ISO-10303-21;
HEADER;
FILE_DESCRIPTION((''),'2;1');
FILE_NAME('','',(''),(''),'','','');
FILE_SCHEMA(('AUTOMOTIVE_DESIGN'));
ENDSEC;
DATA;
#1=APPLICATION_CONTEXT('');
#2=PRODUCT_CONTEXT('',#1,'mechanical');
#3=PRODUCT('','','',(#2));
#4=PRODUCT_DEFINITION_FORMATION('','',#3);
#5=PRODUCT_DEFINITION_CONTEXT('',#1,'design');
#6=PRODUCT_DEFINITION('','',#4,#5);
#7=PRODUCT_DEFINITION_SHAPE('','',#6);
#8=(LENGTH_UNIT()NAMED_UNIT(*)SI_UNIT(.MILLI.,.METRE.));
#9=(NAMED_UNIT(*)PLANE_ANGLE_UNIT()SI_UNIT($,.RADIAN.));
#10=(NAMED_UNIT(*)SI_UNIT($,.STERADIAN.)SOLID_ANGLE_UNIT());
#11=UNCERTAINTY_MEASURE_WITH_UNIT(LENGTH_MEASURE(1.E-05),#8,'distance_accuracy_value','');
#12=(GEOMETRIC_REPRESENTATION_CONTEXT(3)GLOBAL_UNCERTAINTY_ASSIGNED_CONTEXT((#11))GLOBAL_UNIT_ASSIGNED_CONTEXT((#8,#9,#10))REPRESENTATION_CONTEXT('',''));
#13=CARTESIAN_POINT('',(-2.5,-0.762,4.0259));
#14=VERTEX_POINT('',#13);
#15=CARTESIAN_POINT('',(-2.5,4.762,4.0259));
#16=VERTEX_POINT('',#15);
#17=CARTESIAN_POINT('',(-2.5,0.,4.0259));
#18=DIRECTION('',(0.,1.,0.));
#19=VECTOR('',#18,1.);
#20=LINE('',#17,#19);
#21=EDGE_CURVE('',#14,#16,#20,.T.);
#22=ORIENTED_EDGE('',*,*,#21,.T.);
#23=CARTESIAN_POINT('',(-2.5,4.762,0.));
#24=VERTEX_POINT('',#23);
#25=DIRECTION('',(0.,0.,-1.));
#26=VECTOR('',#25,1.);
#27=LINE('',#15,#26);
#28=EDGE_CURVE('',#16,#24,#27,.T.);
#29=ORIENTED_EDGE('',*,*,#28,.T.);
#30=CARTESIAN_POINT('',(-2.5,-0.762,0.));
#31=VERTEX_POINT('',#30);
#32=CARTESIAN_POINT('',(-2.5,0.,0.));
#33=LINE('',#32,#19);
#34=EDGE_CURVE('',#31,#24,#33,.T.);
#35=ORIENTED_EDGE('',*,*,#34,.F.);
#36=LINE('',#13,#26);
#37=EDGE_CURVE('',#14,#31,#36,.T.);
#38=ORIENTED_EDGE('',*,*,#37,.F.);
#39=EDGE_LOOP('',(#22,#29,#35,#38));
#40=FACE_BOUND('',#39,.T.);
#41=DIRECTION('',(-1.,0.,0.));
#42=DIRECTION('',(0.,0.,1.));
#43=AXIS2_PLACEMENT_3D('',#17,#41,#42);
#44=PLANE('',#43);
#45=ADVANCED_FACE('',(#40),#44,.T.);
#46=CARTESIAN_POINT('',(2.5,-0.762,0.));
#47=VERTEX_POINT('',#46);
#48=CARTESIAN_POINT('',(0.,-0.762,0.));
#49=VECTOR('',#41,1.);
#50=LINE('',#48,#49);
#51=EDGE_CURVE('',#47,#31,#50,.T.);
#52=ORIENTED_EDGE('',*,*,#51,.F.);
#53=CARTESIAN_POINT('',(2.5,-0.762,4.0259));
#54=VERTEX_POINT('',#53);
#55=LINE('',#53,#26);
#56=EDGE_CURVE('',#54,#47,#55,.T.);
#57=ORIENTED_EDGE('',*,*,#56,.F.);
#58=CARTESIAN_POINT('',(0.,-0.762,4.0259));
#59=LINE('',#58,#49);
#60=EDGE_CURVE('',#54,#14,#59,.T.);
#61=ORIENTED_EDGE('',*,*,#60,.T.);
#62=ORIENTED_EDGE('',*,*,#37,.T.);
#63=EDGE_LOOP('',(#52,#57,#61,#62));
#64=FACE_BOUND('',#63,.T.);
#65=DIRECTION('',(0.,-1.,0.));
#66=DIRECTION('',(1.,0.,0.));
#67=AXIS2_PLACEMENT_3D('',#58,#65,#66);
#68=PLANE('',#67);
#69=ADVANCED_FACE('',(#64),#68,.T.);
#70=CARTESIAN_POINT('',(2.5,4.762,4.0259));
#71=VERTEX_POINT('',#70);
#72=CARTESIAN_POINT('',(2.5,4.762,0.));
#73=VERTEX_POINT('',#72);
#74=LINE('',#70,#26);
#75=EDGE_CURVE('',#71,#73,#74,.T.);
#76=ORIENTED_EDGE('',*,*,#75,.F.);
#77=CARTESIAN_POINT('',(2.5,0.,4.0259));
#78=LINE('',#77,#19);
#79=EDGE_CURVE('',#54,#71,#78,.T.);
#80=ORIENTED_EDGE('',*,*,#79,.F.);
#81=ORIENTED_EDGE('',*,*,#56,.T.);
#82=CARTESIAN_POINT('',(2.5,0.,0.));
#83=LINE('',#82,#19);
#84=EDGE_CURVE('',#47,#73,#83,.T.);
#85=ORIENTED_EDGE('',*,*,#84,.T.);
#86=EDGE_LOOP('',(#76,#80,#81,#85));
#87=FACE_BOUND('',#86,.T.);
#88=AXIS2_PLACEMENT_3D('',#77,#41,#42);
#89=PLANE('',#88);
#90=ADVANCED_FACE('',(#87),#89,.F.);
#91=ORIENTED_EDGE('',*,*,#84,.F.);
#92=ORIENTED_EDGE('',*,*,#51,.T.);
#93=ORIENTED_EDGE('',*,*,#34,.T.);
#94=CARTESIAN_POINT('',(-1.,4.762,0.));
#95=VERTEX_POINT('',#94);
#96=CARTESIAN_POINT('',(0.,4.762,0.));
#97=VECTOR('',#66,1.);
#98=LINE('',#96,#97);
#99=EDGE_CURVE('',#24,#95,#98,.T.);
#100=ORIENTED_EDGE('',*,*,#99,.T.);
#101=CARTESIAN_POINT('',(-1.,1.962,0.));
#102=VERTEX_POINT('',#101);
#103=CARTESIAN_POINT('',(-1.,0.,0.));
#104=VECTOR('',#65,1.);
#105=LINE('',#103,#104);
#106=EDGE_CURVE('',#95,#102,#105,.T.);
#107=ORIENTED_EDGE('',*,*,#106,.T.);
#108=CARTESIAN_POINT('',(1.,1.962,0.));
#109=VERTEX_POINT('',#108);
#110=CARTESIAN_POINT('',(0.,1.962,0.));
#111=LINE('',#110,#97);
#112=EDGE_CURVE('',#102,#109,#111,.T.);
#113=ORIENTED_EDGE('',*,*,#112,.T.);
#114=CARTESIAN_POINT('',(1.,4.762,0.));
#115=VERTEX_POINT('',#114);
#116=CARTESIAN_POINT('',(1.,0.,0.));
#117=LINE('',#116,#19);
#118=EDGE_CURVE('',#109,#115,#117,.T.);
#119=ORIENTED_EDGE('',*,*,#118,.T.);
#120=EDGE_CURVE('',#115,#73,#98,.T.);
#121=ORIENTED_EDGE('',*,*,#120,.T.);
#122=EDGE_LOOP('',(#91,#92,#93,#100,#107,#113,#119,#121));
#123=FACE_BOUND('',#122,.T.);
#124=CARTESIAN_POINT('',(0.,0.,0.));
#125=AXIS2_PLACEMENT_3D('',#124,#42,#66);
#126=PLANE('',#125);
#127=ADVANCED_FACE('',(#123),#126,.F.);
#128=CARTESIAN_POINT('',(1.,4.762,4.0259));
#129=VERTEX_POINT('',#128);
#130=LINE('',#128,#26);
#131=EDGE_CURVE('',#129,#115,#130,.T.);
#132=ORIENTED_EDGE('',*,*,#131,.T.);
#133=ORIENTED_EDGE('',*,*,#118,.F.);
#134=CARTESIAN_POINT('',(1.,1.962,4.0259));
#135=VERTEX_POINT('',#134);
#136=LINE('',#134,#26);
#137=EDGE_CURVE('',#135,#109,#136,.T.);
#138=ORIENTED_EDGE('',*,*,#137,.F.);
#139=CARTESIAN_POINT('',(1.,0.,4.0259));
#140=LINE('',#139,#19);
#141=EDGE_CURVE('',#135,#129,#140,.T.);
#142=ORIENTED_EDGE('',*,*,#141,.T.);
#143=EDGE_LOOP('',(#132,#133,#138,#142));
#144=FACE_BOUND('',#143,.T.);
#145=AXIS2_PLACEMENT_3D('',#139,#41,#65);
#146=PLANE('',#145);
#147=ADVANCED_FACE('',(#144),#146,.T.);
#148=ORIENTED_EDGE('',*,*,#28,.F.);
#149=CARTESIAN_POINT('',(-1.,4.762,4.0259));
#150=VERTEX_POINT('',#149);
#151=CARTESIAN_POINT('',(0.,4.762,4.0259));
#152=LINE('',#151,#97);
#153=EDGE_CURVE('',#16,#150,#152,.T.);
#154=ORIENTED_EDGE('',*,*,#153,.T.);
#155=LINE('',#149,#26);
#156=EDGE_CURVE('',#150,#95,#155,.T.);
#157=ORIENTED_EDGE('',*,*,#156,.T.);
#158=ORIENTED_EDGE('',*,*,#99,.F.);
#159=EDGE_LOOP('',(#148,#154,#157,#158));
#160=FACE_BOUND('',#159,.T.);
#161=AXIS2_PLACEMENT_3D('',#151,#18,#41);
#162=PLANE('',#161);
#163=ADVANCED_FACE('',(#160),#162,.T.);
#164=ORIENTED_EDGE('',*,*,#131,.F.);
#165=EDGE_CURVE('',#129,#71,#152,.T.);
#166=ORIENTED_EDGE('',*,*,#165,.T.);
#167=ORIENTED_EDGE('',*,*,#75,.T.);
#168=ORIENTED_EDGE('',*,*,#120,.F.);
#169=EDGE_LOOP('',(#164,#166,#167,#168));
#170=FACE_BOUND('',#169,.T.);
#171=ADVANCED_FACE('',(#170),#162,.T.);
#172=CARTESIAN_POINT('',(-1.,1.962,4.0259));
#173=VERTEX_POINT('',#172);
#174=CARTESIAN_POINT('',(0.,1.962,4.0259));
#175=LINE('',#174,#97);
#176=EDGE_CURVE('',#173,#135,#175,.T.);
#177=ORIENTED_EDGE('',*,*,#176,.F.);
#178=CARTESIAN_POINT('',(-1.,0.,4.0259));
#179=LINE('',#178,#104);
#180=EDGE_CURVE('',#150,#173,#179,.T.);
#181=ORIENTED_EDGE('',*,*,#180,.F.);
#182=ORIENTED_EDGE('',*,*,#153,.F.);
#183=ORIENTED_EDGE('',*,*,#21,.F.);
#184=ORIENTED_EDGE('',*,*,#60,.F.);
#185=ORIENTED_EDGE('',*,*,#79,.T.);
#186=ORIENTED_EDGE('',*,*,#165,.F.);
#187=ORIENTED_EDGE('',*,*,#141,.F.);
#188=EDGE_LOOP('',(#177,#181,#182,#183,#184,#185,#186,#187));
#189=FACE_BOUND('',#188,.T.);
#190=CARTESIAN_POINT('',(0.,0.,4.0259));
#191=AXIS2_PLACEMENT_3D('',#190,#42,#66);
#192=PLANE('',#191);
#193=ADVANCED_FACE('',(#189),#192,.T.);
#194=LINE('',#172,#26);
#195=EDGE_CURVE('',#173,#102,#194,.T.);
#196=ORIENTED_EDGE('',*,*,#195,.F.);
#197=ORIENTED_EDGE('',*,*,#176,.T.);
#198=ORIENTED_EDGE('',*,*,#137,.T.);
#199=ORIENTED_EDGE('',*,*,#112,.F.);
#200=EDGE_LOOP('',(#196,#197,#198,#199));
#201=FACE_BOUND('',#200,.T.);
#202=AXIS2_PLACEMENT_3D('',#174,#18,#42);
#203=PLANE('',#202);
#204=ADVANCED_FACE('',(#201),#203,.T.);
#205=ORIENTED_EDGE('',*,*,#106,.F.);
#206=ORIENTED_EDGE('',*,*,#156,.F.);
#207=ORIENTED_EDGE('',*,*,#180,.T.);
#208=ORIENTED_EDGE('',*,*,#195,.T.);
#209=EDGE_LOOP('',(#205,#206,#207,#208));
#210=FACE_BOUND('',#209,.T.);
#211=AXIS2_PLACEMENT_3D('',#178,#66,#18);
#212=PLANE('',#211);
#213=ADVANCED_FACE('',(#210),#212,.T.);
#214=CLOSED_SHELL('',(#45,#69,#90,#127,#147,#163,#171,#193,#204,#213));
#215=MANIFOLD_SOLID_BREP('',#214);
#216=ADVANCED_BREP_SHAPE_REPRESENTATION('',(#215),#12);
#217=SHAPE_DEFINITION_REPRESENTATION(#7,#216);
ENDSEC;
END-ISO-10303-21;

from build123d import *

# Parameters (mm, degrees)
SKETCH1_W           = 5
SKETCH1_H           = 1.524
BOSS_EXTRUDE1_DEPTH = 4.0259


with BuildPart() as part:
    # Sketch1 → Boss-Extrude1 (new body)
    with BuildSketch(Plane.XY):
        Polygon((-1, 1.962), (-1, 4.762), (-2.5, 4.762), (-2.5, 0.762), (2.5, 0.762), (2.5, 4.762), (1, 4.762), (1, 1.962), align=None)
        Rectangle(SKETCH1_W, SKETCH1_H)
    extrude(amount=BOSS_EXTRUDE1_DEPTH)


solid = part.part
